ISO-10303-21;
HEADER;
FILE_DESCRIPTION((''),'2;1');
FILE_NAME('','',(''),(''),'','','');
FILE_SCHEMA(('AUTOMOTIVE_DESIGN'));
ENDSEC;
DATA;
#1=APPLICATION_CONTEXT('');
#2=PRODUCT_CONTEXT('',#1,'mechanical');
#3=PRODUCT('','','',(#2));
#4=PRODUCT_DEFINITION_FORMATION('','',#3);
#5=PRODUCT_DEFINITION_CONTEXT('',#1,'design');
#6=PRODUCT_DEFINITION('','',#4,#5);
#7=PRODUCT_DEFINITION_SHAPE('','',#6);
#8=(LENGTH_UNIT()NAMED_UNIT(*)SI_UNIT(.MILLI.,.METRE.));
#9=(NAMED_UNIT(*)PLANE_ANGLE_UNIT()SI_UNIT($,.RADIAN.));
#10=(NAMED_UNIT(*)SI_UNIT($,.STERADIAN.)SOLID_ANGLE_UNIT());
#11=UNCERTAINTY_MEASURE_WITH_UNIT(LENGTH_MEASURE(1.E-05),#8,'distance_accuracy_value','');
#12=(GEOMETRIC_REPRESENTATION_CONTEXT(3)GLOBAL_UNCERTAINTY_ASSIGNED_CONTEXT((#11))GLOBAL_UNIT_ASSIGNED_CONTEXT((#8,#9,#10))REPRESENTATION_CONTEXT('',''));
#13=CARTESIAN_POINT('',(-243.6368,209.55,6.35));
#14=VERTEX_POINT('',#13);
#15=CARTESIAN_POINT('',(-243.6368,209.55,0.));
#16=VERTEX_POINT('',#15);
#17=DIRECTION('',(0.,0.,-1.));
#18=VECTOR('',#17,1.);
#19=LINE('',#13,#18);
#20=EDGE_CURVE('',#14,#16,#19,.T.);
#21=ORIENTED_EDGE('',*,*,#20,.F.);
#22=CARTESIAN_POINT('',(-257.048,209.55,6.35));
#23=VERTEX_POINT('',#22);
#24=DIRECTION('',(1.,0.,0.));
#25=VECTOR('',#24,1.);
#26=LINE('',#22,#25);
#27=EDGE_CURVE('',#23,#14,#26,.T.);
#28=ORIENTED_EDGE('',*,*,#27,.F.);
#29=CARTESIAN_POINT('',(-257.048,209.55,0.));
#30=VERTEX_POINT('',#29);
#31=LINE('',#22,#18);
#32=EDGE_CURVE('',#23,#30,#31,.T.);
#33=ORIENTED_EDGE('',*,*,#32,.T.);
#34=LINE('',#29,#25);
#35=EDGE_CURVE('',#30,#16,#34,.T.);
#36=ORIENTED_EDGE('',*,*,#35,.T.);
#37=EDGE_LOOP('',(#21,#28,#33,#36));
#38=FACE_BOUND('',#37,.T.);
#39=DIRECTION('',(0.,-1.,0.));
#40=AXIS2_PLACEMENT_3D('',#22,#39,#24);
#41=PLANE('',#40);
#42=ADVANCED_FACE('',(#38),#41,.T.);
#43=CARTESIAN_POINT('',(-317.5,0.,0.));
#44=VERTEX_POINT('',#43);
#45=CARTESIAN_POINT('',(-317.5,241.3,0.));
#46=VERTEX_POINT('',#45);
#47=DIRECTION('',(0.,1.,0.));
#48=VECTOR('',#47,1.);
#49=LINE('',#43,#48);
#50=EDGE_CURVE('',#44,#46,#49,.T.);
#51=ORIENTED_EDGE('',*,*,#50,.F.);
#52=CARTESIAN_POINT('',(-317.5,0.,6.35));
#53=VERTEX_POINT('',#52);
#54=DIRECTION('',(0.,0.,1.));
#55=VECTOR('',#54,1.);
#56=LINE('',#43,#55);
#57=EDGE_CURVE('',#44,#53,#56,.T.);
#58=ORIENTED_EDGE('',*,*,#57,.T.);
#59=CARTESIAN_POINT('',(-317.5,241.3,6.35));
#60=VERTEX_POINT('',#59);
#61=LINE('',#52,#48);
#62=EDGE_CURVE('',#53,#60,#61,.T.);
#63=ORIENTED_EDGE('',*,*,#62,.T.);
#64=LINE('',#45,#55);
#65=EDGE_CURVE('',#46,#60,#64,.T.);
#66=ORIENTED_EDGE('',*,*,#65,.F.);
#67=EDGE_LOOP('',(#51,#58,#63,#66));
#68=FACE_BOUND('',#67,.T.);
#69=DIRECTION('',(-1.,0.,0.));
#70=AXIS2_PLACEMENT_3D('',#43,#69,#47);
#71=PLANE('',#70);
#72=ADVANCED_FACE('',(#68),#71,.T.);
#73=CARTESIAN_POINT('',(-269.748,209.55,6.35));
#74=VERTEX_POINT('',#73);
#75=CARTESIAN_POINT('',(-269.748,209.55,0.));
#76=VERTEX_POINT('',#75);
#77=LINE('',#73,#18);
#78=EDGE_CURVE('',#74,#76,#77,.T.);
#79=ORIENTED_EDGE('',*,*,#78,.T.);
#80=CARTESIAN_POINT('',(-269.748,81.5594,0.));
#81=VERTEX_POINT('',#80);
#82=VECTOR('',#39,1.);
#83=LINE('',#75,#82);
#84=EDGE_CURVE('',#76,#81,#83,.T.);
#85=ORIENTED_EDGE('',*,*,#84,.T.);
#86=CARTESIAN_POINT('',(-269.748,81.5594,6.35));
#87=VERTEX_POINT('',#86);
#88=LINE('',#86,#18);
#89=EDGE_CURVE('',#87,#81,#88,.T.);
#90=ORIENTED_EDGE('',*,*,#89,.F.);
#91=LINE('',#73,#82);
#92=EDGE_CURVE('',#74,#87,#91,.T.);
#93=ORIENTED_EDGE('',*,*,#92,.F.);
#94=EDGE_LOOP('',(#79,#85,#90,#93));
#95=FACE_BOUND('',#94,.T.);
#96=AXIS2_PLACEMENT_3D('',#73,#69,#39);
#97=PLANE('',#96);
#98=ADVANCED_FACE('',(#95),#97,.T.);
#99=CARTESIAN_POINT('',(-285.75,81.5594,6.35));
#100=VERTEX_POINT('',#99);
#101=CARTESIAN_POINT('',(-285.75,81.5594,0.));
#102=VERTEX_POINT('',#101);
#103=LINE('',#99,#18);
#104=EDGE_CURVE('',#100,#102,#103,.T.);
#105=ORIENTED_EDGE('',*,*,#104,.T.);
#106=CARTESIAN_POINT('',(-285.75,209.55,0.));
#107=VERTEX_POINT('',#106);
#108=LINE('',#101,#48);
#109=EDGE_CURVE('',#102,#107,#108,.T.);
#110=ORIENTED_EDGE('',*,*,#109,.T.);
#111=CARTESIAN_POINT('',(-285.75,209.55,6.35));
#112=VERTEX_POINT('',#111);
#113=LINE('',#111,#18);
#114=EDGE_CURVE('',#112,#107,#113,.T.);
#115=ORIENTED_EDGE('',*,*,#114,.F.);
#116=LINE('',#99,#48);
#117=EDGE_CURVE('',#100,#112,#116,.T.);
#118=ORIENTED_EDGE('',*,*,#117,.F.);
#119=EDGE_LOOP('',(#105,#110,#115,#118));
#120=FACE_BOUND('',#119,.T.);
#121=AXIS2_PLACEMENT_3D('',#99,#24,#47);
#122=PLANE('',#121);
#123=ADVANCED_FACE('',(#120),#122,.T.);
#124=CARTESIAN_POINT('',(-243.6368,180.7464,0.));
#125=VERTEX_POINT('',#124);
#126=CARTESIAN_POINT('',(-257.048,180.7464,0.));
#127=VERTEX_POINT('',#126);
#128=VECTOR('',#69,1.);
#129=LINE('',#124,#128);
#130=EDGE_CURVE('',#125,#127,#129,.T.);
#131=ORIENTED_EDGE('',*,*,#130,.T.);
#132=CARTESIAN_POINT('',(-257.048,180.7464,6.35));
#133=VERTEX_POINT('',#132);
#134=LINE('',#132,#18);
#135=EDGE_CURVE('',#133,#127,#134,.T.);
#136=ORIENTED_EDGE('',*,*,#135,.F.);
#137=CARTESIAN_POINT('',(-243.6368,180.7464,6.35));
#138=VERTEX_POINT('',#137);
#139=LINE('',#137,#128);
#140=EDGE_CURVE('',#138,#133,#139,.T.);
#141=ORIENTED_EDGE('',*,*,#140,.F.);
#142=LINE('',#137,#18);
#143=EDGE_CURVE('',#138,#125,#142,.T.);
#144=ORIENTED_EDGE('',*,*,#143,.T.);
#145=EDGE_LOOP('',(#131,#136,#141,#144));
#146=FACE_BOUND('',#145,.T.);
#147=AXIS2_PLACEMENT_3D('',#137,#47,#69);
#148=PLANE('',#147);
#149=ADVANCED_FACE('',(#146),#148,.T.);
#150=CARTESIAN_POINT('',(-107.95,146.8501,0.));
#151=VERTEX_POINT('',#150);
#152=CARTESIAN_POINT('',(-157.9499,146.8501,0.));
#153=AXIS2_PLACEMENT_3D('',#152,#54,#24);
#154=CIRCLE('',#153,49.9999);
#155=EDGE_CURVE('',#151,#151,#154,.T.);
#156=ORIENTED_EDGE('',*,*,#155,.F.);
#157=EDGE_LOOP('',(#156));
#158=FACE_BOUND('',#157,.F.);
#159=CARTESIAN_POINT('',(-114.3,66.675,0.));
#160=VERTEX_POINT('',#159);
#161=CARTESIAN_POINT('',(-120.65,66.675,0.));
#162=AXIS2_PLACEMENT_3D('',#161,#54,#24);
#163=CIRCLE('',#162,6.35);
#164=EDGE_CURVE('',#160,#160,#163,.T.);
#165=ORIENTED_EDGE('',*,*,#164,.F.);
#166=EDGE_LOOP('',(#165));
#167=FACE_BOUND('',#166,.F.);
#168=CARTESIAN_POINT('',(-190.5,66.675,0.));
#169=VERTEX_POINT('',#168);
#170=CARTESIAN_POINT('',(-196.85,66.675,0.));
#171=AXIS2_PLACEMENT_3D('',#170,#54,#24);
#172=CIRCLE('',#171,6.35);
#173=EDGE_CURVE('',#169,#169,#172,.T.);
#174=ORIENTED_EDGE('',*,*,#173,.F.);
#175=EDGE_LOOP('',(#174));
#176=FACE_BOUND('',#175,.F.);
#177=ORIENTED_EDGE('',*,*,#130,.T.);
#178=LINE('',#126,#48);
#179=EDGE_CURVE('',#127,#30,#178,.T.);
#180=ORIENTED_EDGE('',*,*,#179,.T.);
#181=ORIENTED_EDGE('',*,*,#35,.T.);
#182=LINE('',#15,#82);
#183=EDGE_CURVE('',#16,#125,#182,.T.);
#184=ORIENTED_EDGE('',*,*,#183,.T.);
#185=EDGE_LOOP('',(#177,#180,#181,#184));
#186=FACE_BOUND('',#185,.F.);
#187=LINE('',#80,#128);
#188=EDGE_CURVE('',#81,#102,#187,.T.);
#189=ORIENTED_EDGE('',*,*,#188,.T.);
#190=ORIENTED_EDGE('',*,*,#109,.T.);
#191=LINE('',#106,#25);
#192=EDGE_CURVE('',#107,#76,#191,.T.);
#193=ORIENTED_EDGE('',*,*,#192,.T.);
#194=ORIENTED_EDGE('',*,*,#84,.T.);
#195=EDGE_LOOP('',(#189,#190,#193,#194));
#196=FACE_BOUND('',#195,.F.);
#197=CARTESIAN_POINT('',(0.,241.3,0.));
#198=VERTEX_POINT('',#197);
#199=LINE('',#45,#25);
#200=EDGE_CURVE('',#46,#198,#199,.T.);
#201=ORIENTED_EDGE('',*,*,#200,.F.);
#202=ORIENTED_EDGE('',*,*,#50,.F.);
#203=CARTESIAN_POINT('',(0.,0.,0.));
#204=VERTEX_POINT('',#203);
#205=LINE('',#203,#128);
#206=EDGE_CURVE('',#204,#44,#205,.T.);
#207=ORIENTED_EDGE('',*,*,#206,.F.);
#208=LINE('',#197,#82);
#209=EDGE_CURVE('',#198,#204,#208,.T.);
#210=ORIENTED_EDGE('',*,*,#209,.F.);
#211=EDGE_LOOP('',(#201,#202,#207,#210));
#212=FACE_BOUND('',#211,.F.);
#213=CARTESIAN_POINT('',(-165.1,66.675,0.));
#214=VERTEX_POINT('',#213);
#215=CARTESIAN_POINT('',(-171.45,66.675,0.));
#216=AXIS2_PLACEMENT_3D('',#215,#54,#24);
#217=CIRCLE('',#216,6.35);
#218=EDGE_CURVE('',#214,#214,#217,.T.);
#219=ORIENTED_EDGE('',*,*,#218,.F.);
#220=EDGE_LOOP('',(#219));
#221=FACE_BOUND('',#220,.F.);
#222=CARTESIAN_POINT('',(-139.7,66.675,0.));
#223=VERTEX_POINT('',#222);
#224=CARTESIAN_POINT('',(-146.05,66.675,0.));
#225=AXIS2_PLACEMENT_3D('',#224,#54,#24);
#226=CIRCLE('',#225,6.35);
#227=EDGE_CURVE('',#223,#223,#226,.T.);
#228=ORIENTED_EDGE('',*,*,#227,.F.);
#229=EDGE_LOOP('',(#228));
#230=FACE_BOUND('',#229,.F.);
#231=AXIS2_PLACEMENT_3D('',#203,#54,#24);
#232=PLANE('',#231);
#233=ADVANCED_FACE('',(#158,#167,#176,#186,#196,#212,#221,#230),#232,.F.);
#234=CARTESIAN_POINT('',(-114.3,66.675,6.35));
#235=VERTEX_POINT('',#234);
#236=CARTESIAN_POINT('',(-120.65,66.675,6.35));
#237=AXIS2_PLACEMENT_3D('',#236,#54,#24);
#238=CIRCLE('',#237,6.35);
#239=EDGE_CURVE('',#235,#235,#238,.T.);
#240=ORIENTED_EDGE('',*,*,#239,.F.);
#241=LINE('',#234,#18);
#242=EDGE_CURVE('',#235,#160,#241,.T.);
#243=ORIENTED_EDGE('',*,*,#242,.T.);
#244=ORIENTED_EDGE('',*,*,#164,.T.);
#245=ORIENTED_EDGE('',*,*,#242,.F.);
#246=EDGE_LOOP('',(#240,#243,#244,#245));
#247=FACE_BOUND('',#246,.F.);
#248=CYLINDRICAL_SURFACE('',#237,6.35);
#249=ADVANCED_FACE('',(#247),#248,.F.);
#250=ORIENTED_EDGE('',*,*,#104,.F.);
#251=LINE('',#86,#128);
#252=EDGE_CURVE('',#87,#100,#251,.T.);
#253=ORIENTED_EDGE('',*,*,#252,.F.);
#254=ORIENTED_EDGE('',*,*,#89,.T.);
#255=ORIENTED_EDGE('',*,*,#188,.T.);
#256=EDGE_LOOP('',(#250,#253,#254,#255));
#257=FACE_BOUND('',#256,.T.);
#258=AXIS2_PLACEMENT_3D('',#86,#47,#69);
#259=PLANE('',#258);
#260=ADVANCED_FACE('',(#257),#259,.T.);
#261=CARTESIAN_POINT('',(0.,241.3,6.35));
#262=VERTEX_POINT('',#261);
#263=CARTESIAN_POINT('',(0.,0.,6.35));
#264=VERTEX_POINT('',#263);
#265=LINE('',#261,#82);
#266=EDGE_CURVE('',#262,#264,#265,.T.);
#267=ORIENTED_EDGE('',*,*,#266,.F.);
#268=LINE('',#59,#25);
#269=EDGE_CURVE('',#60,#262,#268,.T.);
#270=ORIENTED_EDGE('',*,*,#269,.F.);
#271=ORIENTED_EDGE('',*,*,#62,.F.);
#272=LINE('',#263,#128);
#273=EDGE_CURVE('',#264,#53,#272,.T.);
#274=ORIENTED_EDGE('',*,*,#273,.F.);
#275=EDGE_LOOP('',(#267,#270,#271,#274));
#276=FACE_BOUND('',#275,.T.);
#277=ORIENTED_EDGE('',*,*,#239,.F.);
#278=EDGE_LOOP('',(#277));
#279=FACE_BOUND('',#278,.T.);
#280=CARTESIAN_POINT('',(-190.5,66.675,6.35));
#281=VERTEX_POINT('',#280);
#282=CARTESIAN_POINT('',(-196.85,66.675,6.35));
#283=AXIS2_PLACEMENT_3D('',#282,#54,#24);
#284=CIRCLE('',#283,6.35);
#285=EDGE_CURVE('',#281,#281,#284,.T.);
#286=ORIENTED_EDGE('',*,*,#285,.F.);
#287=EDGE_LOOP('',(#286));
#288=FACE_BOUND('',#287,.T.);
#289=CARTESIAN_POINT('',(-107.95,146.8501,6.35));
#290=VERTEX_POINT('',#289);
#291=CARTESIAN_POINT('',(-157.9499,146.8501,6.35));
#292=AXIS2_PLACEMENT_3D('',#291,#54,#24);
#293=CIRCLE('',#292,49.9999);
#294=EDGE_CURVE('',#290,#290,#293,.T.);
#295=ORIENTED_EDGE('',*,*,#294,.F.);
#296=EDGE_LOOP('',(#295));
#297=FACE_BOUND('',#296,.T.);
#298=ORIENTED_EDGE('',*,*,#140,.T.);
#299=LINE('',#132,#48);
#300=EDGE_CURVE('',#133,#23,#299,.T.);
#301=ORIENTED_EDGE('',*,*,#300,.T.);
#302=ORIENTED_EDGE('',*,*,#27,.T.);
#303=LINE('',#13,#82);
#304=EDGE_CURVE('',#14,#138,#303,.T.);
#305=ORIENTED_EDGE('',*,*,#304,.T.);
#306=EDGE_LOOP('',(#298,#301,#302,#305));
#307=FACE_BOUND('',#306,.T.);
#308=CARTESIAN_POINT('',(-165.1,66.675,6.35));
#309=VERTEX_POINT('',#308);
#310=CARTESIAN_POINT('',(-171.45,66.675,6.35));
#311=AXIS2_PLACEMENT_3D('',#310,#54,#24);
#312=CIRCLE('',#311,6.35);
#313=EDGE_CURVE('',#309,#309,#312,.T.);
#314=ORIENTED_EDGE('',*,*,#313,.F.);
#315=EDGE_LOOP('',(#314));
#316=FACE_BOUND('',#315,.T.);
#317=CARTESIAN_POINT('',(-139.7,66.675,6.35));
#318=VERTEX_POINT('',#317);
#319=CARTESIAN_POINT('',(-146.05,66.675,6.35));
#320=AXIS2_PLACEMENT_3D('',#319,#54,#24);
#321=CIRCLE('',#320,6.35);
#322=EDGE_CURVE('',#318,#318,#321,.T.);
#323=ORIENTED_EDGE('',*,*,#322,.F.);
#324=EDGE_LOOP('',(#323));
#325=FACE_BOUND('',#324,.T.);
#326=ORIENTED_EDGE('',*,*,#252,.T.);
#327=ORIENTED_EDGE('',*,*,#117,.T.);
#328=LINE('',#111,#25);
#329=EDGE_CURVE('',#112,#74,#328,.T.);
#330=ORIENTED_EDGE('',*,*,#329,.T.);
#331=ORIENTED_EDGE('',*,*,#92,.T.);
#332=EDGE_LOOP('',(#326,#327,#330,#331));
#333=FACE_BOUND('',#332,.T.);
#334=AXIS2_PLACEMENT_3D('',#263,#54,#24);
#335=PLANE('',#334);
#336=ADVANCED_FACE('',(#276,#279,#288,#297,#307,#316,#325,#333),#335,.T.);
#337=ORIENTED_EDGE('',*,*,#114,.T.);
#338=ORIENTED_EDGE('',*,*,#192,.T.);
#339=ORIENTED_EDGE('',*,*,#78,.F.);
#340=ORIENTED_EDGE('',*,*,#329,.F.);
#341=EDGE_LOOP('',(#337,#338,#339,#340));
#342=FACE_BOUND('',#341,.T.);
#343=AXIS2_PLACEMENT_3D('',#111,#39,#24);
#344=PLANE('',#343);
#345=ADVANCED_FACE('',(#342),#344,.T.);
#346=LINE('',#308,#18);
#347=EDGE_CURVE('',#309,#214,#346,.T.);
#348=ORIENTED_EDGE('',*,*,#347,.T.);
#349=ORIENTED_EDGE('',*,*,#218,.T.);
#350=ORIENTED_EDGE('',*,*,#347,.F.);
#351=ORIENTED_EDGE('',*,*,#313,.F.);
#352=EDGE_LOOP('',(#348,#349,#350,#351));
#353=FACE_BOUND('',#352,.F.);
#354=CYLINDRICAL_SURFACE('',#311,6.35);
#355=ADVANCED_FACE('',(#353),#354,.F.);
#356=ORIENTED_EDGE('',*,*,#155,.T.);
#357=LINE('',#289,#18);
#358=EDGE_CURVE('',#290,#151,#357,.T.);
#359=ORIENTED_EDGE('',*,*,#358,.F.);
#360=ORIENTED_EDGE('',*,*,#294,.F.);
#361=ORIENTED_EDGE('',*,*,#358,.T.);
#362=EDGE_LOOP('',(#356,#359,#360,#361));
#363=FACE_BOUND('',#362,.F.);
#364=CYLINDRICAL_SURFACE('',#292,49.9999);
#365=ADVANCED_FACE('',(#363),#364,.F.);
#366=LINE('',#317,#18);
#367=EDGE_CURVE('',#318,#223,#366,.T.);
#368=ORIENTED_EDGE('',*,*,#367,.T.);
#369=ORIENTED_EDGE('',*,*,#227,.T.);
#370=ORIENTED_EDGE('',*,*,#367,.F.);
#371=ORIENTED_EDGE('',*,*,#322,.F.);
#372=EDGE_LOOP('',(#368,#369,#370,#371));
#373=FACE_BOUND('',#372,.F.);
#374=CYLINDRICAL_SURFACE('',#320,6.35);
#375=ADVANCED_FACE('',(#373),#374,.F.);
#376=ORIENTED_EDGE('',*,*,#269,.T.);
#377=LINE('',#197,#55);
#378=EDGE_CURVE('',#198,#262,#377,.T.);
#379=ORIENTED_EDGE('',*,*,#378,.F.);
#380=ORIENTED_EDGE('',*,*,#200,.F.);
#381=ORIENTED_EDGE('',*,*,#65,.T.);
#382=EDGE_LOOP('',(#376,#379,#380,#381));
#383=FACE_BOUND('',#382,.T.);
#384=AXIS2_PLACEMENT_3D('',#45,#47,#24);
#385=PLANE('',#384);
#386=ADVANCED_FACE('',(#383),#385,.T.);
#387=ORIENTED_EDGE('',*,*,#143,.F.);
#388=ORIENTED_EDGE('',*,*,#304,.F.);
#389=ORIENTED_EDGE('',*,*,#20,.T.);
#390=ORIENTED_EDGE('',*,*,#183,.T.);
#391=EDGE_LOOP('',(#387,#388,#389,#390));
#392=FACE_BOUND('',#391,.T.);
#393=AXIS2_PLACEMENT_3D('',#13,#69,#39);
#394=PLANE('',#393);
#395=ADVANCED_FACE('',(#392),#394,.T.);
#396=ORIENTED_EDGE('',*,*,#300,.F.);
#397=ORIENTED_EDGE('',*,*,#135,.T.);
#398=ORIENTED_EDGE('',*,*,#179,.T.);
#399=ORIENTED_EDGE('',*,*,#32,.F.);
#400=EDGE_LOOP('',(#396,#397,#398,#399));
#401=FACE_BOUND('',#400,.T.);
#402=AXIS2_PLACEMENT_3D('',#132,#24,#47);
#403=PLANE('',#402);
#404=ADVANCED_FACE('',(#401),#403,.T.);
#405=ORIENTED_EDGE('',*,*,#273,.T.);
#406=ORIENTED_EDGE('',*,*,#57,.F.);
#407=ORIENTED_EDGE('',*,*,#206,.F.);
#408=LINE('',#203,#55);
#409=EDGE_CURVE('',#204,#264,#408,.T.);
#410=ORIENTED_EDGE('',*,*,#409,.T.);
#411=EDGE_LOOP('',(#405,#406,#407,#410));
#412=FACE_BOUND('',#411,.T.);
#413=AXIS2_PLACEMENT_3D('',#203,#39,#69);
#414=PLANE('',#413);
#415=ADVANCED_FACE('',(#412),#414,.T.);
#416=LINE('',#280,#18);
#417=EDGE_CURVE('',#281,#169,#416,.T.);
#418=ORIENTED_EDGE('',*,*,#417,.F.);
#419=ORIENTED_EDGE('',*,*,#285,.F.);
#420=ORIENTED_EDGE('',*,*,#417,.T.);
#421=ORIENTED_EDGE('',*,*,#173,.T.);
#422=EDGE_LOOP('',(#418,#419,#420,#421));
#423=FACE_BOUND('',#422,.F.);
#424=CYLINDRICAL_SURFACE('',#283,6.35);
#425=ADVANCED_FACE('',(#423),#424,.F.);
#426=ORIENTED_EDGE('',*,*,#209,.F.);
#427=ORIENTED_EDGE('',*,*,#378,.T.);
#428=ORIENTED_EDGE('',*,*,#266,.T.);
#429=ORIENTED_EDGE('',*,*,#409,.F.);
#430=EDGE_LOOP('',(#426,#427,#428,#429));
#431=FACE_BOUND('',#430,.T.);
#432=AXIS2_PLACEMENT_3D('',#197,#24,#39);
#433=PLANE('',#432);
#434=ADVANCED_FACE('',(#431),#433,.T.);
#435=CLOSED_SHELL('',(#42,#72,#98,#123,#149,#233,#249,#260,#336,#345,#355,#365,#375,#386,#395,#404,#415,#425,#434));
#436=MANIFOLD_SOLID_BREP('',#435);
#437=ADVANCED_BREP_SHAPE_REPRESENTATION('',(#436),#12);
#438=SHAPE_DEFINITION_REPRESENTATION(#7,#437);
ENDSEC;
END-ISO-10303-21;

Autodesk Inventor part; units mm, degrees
ref_plane "YZ Plane" through (0, 0, 0) normal (1, 0, 0) x (0, 1, 0)
ref_plane "XZ Plane" through (0, 0, 0) normal (0, 1, 0) x (-1, 0, 0)
ref_plane "XY Plane" through (0, 0, 0) normal (0, 0, 1) x (1, 0, 0)
sketch "Sketch1" plane through (0, 0, 0) normal (0, 0, 1) x (1, 0, 0)
  line L0 (-317.5, 241.3) -> (0, 241.3)
  line L1 (0, 241.3) -> (0, 0)
  line L2 (0, 0) -> (-317.5, 0)
  line L3 (-317.5, 0) -> (-317.5, 241.3)
  dimension "d0" = 317.5
  dimension "d1" = 241.3
extrude "Extrusion1" add sketch "Sketch1" along normal blind 6.35
sketch "Sketch2" plane through (0, 0, 6.35) normal (0, 0, 1) x (1, 0, 0)
  circle A0 centre (-120.65, 66.675) radius 6.35
  line L0 (-317.5, 0) -> (0, 0) projected
  line L1 (0, 0) -> (0, 241.3) projected
  circle A1 centre (-196.85, 66.675) radius 6.35
  line L2 (-317.5, 241.3) -> (-317.5, 0) projected
  circle A2 centre (-171.45, 66.675) radius 6.35
  circle A3 centre (-146.05, 66.675) radius 6.35
  dimension "d4" = 12.7
  dimension "d5" = 66.675
  dimension "d7" = 12.7
  dimension "d8" = 66.675
  dimension "d10" = 12.7
  dimension "d11" = 12.7
  dimension "d12" = 66.675
  dimension "d13" = 66.675
  dimension "d20" = 114.3
  dimension "d21" = 114.3
  dimension "d26" = 12.7
  dimension "d27" = 12.7
extrude "Extrusion2" cut sketch "Sketch2" against normal blind 6.35
sketch "Sketch3" plane through (0, 0, 6.35) normal (0, 0, 1) x (1, 0, 0)
  circle A0 centre (-157.9499, 146.8501) radius 49.9999
  line L0 (0, 0) -> (0, 241.3) projected
  line L1 (0, 241.3) -> (-317.5, 241.3) projected
  dimension "d28" = 99.9998
  dimension "d29" = 107.95
  dimension "d30" = 44.45
extrude "Extrusion3" cut sketch "Sketch3" against normal blind 6.35
sketch "Sketch4" plane through (0, 0, 6.35) normal (0, 0, 1) x (1, 0, 0)
  line L0 (-285.75, 209.55) -> (-269.748, 209.55)
  line L1 (-269.748, 209.55) -> (-269.748, 81.5594)
  line L2 (-269.748, 81.5594) -> (-285.75, 81.5594)
  line L3 (-285.75, 81.5594) -> (-285.75, 209.55)
  line L4 (-317.5, 241.3) -> (-317.5, 0) projected
  line L5 (0, 241.3) -> (-317.5, 241.3) projected
  point P0 (0, 0)
  dimension "d33" = 31.75
  dimension "d34" = 31.75
  dimension "d35" = 16.002
  dimension "d36" = 127.9906
extrude "Extrusion4" cut sketch "Sketch4" against normal blind 6.35
sketch "Sketch5" plane through (0, 0, 6.35) normal (0, 0, 1) x (1, 0, 0)
  line L0 (-257.048, 209.55) -> (-243.6368, 209.55)
  line L1 (-243.6368, 209.55) -> (-243.6368, 180.7464)
  line L2 (-243.6368, 180.7464) -> (-257.048, 180.7464)
  line L3 (-257.048, 180.7464) -> (-257.048, 209.55)
  line L4 (-269.748, 209.55) -> (-269.748, 81.5594) projected
  line L5 (0, 241.3) -> (-317.5, 241.3) projected
  point P0 (0, 0)
  dimension "d39" = 12.7
  dimension "d40" = 31.75
  dimension "d41" = 13.4112
  dimension "d42" = 28.8036
extrude "Extrusion5" cut sketch "Sketch5" against normal blind 6.35
properties part number "Base"
